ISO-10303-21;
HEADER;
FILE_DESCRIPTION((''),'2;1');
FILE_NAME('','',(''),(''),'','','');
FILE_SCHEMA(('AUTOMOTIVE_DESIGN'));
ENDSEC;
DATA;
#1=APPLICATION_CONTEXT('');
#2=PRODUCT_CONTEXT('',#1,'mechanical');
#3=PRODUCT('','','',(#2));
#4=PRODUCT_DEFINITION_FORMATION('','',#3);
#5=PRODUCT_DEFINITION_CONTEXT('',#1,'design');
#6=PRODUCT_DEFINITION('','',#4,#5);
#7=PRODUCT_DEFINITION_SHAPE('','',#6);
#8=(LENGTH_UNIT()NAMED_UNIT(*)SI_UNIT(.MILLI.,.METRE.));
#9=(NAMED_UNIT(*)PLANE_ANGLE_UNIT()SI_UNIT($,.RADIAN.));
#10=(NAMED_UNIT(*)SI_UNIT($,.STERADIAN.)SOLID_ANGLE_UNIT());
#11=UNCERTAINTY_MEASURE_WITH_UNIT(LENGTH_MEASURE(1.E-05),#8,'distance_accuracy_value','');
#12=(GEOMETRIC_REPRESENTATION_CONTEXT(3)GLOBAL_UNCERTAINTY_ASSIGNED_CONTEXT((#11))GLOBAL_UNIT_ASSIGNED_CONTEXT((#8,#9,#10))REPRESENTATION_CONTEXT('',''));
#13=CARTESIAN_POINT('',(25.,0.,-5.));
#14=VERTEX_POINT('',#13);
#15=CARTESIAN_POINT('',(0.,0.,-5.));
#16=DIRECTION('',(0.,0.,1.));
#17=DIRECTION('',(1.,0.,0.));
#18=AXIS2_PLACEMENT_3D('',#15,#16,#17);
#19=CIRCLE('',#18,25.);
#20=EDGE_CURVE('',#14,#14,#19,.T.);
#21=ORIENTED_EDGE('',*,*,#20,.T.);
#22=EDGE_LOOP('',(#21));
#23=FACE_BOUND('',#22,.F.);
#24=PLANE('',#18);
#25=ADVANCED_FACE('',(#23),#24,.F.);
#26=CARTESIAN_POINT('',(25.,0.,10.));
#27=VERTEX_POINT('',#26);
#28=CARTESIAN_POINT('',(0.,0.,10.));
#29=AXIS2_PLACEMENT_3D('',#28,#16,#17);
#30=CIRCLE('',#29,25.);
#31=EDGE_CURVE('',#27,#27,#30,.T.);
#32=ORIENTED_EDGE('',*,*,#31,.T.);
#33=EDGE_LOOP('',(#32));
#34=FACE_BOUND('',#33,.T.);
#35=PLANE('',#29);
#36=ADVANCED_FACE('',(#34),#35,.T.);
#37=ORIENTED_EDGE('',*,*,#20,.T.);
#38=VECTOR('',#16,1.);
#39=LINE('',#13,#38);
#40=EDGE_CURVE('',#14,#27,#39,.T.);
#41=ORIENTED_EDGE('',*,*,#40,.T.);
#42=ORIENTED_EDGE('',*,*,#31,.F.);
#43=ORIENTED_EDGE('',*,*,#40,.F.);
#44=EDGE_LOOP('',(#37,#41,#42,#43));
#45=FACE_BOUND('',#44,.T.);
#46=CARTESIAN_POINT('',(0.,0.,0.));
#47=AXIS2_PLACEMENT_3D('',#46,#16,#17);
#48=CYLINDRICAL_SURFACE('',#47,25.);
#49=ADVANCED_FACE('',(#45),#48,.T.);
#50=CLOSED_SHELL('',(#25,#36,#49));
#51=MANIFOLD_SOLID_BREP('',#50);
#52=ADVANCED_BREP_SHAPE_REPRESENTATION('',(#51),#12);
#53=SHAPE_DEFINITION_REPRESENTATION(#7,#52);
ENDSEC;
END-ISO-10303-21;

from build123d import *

# Parameters (mm, degrees)
SKETCH_R       = 25
PAD_DEPTH      = 10
PAD_DEPTH_BACK = 5


with BuildPart() as part:
    # Sketch → Pad (new body, two sides)
    with BuildSketch(Plane.XY) as pad_sk:
        Circle(SKETCH_R)
    extrude(amount=PAD_DEPTH)
    extrude(pad_sk.sketch, amount=-PAD_DEPTH_BACK)


solid = part.part
